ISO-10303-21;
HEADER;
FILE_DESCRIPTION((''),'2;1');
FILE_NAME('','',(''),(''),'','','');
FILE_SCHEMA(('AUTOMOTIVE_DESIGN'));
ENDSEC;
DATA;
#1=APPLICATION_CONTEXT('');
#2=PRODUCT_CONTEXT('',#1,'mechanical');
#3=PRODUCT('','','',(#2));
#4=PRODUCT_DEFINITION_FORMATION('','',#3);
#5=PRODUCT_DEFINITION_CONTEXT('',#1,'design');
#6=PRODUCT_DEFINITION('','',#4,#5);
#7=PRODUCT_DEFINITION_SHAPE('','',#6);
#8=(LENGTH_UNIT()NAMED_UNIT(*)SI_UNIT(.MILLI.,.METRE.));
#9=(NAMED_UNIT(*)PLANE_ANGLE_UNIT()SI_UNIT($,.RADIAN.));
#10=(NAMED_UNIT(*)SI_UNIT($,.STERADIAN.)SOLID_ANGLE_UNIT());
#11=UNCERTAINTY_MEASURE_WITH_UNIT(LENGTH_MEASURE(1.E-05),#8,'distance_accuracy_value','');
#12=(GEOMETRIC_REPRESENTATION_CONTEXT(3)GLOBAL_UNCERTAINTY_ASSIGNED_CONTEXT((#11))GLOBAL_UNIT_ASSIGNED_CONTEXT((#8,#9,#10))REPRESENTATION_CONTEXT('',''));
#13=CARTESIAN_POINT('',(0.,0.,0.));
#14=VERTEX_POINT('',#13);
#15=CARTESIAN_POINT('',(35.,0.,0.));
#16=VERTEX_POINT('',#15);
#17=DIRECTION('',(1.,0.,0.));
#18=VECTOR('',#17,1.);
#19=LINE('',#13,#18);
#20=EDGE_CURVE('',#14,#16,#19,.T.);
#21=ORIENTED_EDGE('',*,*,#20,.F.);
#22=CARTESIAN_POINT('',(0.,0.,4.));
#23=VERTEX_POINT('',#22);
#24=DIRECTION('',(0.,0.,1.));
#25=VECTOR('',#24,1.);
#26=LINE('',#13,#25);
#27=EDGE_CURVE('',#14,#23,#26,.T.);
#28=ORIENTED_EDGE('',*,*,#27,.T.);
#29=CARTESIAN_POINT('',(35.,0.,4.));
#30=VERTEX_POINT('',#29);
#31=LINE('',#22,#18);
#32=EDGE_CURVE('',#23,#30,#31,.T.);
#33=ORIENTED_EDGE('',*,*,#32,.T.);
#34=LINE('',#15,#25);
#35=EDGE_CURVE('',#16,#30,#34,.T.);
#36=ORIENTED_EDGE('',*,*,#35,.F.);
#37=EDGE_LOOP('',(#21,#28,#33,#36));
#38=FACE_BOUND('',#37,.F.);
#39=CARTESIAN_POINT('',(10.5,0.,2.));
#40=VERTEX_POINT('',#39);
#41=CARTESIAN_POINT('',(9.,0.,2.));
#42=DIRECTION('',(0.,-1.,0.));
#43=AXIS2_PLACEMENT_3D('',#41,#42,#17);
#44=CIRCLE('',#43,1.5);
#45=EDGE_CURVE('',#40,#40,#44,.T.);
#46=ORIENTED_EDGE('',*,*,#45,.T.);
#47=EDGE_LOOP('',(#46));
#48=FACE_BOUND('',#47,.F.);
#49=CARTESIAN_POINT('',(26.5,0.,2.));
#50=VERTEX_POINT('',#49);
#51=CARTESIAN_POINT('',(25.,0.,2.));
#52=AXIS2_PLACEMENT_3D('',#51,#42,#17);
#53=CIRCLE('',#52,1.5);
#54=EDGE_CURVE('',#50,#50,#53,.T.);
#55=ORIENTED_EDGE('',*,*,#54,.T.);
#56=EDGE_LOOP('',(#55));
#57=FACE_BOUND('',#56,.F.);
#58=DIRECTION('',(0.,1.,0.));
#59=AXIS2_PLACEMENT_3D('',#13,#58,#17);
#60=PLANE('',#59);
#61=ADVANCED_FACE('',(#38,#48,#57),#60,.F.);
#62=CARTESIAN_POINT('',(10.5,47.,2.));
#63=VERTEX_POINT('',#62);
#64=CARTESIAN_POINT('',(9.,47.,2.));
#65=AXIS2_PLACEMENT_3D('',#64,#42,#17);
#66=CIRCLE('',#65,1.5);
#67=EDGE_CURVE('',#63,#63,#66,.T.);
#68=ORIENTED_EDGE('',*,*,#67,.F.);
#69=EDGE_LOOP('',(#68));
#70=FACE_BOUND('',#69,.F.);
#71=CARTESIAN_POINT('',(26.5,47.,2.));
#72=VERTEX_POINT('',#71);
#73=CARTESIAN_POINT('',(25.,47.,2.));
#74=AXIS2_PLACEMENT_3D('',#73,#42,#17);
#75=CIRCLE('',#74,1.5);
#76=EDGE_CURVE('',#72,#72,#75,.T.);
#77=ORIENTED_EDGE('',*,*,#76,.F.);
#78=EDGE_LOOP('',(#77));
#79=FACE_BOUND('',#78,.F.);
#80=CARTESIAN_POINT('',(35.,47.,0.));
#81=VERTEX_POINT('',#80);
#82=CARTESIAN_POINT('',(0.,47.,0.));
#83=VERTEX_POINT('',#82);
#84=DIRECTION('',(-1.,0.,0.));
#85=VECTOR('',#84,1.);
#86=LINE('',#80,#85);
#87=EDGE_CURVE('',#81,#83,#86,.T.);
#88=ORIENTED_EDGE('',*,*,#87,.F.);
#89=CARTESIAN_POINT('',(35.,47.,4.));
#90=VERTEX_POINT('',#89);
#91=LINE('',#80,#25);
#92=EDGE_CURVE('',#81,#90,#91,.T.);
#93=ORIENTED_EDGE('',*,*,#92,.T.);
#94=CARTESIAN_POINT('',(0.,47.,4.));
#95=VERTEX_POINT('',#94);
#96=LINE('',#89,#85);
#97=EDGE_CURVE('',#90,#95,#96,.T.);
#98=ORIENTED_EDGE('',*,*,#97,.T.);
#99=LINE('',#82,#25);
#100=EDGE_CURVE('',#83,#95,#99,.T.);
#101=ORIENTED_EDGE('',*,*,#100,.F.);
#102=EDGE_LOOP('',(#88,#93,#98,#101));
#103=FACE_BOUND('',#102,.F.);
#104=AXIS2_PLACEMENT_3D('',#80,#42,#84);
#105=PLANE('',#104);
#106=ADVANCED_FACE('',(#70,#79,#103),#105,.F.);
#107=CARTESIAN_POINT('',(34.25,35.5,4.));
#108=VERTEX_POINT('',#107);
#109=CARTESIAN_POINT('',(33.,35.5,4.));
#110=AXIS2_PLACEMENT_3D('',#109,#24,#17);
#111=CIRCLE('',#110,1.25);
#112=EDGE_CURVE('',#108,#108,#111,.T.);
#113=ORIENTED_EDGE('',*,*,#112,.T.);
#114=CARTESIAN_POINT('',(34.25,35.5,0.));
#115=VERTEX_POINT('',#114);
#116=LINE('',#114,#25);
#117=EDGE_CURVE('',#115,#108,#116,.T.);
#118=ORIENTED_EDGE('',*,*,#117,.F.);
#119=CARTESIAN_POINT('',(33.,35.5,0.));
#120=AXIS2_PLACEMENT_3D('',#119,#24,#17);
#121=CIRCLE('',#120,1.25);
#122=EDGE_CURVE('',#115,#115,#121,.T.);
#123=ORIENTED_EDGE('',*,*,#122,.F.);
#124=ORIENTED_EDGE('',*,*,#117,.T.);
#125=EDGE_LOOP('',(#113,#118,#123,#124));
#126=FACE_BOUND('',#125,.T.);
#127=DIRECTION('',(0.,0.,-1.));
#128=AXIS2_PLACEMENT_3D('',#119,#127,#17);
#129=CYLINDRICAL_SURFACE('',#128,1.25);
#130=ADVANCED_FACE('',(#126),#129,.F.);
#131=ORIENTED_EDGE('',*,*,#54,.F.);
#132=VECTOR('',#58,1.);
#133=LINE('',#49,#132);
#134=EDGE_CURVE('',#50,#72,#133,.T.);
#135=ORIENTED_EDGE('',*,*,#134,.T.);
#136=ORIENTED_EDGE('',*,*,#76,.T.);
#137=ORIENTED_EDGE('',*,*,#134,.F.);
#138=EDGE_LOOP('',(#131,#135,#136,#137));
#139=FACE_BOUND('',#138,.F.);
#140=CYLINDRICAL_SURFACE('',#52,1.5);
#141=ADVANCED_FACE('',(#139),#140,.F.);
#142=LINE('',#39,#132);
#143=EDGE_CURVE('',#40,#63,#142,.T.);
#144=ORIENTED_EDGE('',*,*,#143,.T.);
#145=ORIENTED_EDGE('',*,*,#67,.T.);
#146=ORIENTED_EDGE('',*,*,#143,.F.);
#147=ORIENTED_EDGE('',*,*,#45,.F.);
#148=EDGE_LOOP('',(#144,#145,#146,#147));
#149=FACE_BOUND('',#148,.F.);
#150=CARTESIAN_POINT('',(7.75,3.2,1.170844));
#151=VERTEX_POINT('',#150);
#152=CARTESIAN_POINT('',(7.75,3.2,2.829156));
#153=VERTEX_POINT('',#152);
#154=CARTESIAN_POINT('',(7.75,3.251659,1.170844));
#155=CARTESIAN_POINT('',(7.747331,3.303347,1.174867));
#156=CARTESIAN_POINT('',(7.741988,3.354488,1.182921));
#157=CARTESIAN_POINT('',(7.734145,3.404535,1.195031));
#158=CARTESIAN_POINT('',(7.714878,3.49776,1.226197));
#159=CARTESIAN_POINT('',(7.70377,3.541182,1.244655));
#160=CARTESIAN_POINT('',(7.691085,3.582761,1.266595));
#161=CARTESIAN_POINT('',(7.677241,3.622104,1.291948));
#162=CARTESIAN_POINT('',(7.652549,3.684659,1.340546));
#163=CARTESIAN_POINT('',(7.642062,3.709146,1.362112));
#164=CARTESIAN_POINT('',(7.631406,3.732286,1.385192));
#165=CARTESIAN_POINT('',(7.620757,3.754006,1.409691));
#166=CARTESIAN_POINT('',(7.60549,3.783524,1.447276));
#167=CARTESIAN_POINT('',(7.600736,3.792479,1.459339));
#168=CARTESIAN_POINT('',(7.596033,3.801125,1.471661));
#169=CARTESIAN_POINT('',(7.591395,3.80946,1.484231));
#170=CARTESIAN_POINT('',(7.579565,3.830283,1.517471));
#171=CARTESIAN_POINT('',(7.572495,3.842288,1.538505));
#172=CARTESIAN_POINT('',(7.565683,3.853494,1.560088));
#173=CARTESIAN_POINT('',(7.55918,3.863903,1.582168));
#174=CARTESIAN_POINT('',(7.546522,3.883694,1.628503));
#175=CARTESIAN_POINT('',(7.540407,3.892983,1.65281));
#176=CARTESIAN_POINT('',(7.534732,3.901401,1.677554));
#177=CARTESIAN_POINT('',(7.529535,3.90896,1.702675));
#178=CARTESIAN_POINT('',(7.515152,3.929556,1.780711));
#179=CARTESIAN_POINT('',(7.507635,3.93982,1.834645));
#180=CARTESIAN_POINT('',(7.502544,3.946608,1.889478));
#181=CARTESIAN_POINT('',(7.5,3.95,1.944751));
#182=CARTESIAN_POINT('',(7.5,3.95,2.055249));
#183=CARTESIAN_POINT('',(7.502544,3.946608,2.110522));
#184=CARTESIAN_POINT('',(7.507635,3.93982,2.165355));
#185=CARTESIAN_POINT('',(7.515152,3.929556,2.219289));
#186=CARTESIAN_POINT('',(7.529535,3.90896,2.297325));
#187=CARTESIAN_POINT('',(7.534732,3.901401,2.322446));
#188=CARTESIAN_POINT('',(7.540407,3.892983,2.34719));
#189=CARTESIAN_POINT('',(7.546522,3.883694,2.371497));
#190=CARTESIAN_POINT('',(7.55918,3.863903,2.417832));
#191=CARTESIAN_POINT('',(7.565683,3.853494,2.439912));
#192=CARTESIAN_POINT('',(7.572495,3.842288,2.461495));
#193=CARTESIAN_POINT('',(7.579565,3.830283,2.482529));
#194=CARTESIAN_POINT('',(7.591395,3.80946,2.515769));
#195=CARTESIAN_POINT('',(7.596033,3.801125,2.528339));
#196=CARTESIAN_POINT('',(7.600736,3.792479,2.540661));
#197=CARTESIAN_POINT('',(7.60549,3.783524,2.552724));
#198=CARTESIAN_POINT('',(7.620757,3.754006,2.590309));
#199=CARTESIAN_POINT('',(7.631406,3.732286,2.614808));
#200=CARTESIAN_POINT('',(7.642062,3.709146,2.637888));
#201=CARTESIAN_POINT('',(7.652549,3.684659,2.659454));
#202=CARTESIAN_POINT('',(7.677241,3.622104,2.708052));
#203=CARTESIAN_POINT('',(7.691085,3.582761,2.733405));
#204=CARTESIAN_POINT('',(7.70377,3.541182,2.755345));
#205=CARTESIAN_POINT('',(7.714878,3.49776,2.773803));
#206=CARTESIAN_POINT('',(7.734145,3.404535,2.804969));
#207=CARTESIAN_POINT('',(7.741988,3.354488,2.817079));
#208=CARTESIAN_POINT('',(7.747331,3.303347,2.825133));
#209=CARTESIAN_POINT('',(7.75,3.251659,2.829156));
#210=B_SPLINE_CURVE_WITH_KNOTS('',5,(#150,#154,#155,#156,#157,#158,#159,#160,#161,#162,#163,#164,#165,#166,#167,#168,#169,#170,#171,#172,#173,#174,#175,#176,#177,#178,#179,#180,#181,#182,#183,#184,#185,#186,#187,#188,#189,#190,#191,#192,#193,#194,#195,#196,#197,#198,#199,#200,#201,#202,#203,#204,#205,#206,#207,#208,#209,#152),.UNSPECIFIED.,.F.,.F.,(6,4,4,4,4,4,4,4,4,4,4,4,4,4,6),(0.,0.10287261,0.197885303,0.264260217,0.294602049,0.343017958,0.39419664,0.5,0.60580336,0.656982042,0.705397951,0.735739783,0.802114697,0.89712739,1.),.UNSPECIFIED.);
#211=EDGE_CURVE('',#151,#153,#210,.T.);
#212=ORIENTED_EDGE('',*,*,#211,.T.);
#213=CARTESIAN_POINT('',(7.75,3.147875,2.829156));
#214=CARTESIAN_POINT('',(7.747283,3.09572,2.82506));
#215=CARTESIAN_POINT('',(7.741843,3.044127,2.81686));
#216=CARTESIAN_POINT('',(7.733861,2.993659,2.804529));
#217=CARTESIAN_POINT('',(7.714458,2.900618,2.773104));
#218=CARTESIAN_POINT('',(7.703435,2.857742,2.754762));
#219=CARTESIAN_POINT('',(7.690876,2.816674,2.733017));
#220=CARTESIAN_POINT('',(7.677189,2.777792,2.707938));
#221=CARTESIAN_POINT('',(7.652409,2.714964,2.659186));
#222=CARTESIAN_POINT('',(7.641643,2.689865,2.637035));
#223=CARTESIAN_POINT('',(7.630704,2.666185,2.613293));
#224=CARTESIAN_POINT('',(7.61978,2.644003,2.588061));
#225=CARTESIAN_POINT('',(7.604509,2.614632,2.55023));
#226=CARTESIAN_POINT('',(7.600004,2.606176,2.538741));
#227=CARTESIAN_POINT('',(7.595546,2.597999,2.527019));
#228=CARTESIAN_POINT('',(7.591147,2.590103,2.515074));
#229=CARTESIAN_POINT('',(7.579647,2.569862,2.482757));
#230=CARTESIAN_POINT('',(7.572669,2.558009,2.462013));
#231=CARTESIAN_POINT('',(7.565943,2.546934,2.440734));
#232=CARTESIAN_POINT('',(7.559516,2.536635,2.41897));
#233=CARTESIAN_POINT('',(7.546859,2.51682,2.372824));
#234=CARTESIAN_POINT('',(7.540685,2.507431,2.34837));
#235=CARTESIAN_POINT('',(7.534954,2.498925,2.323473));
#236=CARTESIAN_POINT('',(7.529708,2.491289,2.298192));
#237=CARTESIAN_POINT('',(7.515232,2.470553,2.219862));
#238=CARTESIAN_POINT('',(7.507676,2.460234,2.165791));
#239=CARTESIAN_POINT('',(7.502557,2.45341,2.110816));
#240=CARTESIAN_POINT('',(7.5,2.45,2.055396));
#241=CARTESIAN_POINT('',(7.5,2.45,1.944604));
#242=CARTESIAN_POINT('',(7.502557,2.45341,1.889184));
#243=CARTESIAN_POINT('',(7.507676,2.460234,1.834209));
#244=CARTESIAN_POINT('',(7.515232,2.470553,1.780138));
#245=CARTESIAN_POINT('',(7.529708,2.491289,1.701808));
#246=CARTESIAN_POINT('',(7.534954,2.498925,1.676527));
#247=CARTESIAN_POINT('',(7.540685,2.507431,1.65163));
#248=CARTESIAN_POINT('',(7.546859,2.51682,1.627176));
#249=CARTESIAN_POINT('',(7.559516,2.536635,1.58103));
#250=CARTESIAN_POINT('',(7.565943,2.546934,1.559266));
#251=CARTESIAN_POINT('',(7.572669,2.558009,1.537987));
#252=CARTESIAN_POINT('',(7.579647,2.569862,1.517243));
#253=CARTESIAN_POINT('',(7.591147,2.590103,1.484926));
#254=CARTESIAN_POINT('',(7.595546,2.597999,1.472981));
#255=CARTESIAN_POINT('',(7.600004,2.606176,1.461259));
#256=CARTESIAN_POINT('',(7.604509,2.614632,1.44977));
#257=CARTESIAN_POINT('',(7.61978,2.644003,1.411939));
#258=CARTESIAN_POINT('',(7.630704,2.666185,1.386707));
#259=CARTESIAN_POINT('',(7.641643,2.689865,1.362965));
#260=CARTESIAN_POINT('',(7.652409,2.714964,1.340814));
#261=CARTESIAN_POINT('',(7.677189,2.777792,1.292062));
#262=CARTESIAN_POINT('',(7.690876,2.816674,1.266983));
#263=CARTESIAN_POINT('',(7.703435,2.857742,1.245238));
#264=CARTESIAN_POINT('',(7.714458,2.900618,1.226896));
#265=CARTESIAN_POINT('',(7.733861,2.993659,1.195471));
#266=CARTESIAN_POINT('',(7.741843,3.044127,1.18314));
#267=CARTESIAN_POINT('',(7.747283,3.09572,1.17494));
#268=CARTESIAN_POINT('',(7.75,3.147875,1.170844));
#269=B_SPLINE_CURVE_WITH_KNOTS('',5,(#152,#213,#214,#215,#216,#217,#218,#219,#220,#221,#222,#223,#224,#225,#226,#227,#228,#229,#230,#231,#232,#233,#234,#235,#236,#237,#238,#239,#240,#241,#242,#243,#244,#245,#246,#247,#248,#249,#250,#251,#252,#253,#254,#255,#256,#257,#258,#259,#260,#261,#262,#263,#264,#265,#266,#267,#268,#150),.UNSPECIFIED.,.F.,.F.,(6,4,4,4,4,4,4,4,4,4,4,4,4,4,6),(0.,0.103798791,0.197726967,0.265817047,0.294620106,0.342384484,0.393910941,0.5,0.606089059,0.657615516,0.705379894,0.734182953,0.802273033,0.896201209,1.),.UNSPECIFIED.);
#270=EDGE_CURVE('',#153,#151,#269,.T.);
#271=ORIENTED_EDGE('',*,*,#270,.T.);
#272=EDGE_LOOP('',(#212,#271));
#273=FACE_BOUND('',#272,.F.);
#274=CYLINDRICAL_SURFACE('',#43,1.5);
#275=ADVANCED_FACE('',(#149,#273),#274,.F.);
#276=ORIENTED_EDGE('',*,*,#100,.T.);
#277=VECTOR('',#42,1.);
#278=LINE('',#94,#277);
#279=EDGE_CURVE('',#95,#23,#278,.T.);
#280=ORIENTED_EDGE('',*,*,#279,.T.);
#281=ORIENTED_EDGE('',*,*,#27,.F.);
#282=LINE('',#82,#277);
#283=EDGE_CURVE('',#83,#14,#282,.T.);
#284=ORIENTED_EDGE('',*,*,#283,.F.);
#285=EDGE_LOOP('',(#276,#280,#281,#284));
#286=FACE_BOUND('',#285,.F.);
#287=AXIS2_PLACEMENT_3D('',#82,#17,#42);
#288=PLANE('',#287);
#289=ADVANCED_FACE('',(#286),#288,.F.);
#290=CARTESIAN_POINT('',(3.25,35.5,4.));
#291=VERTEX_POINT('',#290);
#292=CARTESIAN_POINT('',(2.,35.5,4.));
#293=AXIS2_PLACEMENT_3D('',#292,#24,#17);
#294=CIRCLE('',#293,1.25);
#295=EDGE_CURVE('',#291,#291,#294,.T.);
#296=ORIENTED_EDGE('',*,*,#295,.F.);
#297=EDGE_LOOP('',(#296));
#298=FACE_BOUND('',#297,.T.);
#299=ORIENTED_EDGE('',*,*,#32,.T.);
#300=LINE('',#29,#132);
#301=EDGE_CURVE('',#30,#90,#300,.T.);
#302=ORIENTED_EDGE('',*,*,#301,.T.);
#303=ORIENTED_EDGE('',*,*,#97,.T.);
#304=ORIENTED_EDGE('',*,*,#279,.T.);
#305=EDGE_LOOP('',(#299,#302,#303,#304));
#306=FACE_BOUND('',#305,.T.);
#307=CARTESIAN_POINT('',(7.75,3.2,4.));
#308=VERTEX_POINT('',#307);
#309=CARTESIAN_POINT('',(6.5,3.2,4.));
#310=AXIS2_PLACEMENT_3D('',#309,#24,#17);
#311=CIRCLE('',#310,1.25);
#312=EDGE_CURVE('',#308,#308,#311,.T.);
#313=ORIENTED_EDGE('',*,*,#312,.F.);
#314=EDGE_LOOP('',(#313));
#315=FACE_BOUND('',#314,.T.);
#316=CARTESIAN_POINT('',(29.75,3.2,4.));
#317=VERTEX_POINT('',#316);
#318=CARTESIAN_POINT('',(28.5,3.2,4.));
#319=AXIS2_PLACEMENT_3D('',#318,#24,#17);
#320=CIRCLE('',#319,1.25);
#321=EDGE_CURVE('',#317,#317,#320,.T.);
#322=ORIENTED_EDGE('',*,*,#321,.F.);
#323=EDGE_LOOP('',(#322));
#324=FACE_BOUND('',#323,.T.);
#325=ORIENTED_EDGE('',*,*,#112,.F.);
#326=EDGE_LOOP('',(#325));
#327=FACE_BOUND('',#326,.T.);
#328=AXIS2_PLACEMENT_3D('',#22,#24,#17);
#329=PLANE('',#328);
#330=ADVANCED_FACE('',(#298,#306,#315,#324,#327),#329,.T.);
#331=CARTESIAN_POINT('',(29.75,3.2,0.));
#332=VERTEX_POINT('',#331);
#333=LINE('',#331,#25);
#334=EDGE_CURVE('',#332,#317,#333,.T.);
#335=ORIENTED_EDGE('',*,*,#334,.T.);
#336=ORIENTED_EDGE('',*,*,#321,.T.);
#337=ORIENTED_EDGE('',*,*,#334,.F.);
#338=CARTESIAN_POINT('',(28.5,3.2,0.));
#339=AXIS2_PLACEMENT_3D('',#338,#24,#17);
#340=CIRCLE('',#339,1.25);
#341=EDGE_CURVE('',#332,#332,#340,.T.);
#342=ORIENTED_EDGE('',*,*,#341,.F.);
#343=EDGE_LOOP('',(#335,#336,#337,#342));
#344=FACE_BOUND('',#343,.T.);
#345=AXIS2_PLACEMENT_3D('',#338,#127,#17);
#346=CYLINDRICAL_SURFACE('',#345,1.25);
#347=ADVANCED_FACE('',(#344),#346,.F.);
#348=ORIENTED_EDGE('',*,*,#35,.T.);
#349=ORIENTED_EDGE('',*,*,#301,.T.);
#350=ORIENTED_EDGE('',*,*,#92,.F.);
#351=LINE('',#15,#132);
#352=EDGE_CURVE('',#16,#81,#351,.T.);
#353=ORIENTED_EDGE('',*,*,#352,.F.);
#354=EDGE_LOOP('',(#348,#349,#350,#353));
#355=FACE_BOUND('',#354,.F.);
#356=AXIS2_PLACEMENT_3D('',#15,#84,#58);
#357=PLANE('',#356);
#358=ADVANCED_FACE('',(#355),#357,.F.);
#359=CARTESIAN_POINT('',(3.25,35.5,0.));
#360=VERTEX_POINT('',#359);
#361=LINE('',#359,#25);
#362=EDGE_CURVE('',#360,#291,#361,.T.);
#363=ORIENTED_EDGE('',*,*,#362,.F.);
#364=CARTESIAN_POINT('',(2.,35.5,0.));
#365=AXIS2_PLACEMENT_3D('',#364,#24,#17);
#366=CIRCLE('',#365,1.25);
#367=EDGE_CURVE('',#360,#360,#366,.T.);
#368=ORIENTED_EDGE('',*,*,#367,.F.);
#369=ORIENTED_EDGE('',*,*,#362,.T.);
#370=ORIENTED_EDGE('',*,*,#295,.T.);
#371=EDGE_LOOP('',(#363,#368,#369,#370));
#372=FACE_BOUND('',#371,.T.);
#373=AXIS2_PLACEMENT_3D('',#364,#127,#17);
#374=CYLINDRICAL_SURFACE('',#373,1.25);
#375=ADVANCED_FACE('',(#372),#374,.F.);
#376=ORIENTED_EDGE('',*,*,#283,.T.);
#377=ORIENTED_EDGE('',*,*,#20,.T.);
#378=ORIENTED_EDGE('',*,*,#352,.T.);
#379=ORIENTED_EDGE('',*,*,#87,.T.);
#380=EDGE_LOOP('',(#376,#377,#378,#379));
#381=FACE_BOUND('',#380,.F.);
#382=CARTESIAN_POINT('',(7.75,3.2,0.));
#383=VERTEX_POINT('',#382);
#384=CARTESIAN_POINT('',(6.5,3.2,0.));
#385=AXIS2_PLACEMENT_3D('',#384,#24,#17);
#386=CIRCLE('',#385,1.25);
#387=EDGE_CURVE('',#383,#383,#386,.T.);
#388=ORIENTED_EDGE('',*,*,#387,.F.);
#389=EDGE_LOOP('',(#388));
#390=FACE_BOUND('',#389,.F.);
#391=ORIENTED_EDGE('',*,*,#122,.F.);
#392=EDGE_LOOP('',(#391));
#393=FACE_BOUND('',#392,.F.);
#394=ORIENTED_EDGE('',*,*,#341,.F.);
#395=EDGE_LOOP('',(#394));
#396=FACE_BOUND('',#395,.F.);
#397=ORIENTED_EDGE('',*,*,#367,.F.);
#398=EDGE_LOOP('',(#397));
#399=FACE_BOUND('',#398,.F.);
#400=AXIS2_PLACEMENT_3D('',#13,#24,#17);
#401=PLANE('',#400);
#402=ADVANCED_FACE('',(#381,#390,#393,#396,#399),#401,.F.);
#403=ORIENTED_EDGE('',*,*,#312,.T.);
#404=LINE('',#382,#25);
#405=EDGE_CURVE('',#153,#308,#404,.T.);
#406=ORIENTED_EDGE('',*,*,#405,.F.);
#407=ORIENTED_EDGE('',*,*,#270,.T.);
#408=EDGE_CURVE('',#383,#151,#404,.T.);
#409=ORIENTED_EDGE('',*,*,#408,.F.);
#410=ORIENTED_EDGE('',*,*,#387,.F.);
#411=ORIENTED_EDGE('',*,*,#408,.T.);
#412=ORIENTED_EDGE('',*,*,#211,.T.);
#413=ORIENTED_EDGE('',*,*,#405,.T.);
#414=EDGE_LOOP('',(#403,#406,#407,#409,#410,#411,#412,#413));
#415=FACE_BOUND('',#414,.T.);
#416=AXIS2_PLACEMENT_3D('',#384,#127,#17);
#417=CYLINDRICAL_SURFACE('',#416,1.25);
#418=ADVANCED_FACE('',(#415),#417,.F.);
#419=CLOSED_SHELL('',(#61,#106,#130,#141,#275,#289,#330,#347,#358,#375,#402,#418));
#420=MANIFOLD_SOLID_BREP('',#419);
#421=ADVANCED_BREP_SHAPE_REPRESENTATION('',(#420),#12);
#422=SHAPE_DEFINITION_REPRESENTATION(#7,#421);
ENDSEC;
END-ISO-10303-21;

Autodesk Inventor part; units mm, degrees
ref_plane "YZ Plane" through (0, 0, 0) normal (1, 0, 0) x (0, 1, 0)
ref_plane "XZ Plane" through (0, 0, 0) normal (0, 1, 0) x (-1, 0, 0)
ref_plane "XY Plane" through (0, 0, 0) normal (0, 0, 1) x (1, 0, 0)
sketch "Sketch12" plane through (0, 0, 0) normal (0, 0, 1) x (1, 0, 0)
  line L0 (0, 0) -> (35, 0)
  line L1 (35, 0) -> (35, 47)
  line L2 (35, 47) -> (0, 47)
  line L3 (0, 47) -> (0, 0)
  line L4 (0, 47) -> (2, 47) construction
  line L5 (2, 47) -> (2, 35.5) construction
  line L6 (35, 47) -> (33, 47) construction
  line L7 (33, 47) -> (33, 35.5) construction
  circle A0 centre (33, 35.5) radius 1.25
  circle A1 centre (2, 35.5) radius 1.25
  line L8 (0, 0) -> (6.5, 0) construction
  line L9 (35, 0) -> (28.5, 0) construction
  line L10 (6.5, 0) -> (6.5, 3.2) construction
  line L11 (28.5, 0) -> (28.5, 3.2) construction
  circle A2 centre (6.5, 3.2) radius 1.25
  circle A3 centre (28.5, 3.2) radius 1.25
  dimension "d49" = 35
  dimension "d50" = 47
  dimension "d97" = 2
  dimension "d98" = 11.5
  dimension "d99" = 2
  dimension "d100" = 2.5
  dimension "d101" = 2.5
  dimension "d102" = 11.5
  dimension "d103" = 6.5
  dimension "d104" = 6.5
  dimension "d105" = 3.2
  dimension "d106" = 3.2
  dimension "d107" = 2.5
  dimension "d108" = 2.5
extrude "Extrusión8" add sketch "Sketch12" along normal blind 4
sketch "Boceto21" plane through (0, 0, 0) normal (0, -1, 0) x (1, 0, 0)
  line L0 (35, 0) -> (35, 4) construction
  line L1 (35, 0) -> (35, 4) construction
  line L2 (0, 0) -> (0, 4) construction
  line L3 (0, 0) -> (0, 4) construction
  line L4 (0, 2) -> (35, 2) construction
  line L5 (35, 2) -> (25, 2) construction
  line L6 (0, 2) -> (9, 2) construction
  circle A0 centre (9, 2) radius 1.5
  circle A1 centre (25, 2) radius 1.5
  dimension "d111" = 10
  dimension "d112" = 9
  dimension "d113" = 3
  dimension "d114" = 3
extrude "Extrusión9" cut sketch "Boceto21" along normal through all both and the other way through all
equation "\"BendRadius\" = Thickness"
equation "\"BendReliefWidth\" = Thickness"
equation "\"BendReliefDepth\" = 0.5 * Thickness"
equation "\"CornerReliefSize\" = 4 * Thickness"
equation "\"MinimumRemnant\" = 2 * Thickness"
equation "\"TransitionRadius\" = BendRadius"
equation "\"JacobiRadiusSize\" = BendRadius"
equation "\"GapSize\" = Thickness"
equation "\"Thickness\" = 1"
properties part number "Suportmotor"
